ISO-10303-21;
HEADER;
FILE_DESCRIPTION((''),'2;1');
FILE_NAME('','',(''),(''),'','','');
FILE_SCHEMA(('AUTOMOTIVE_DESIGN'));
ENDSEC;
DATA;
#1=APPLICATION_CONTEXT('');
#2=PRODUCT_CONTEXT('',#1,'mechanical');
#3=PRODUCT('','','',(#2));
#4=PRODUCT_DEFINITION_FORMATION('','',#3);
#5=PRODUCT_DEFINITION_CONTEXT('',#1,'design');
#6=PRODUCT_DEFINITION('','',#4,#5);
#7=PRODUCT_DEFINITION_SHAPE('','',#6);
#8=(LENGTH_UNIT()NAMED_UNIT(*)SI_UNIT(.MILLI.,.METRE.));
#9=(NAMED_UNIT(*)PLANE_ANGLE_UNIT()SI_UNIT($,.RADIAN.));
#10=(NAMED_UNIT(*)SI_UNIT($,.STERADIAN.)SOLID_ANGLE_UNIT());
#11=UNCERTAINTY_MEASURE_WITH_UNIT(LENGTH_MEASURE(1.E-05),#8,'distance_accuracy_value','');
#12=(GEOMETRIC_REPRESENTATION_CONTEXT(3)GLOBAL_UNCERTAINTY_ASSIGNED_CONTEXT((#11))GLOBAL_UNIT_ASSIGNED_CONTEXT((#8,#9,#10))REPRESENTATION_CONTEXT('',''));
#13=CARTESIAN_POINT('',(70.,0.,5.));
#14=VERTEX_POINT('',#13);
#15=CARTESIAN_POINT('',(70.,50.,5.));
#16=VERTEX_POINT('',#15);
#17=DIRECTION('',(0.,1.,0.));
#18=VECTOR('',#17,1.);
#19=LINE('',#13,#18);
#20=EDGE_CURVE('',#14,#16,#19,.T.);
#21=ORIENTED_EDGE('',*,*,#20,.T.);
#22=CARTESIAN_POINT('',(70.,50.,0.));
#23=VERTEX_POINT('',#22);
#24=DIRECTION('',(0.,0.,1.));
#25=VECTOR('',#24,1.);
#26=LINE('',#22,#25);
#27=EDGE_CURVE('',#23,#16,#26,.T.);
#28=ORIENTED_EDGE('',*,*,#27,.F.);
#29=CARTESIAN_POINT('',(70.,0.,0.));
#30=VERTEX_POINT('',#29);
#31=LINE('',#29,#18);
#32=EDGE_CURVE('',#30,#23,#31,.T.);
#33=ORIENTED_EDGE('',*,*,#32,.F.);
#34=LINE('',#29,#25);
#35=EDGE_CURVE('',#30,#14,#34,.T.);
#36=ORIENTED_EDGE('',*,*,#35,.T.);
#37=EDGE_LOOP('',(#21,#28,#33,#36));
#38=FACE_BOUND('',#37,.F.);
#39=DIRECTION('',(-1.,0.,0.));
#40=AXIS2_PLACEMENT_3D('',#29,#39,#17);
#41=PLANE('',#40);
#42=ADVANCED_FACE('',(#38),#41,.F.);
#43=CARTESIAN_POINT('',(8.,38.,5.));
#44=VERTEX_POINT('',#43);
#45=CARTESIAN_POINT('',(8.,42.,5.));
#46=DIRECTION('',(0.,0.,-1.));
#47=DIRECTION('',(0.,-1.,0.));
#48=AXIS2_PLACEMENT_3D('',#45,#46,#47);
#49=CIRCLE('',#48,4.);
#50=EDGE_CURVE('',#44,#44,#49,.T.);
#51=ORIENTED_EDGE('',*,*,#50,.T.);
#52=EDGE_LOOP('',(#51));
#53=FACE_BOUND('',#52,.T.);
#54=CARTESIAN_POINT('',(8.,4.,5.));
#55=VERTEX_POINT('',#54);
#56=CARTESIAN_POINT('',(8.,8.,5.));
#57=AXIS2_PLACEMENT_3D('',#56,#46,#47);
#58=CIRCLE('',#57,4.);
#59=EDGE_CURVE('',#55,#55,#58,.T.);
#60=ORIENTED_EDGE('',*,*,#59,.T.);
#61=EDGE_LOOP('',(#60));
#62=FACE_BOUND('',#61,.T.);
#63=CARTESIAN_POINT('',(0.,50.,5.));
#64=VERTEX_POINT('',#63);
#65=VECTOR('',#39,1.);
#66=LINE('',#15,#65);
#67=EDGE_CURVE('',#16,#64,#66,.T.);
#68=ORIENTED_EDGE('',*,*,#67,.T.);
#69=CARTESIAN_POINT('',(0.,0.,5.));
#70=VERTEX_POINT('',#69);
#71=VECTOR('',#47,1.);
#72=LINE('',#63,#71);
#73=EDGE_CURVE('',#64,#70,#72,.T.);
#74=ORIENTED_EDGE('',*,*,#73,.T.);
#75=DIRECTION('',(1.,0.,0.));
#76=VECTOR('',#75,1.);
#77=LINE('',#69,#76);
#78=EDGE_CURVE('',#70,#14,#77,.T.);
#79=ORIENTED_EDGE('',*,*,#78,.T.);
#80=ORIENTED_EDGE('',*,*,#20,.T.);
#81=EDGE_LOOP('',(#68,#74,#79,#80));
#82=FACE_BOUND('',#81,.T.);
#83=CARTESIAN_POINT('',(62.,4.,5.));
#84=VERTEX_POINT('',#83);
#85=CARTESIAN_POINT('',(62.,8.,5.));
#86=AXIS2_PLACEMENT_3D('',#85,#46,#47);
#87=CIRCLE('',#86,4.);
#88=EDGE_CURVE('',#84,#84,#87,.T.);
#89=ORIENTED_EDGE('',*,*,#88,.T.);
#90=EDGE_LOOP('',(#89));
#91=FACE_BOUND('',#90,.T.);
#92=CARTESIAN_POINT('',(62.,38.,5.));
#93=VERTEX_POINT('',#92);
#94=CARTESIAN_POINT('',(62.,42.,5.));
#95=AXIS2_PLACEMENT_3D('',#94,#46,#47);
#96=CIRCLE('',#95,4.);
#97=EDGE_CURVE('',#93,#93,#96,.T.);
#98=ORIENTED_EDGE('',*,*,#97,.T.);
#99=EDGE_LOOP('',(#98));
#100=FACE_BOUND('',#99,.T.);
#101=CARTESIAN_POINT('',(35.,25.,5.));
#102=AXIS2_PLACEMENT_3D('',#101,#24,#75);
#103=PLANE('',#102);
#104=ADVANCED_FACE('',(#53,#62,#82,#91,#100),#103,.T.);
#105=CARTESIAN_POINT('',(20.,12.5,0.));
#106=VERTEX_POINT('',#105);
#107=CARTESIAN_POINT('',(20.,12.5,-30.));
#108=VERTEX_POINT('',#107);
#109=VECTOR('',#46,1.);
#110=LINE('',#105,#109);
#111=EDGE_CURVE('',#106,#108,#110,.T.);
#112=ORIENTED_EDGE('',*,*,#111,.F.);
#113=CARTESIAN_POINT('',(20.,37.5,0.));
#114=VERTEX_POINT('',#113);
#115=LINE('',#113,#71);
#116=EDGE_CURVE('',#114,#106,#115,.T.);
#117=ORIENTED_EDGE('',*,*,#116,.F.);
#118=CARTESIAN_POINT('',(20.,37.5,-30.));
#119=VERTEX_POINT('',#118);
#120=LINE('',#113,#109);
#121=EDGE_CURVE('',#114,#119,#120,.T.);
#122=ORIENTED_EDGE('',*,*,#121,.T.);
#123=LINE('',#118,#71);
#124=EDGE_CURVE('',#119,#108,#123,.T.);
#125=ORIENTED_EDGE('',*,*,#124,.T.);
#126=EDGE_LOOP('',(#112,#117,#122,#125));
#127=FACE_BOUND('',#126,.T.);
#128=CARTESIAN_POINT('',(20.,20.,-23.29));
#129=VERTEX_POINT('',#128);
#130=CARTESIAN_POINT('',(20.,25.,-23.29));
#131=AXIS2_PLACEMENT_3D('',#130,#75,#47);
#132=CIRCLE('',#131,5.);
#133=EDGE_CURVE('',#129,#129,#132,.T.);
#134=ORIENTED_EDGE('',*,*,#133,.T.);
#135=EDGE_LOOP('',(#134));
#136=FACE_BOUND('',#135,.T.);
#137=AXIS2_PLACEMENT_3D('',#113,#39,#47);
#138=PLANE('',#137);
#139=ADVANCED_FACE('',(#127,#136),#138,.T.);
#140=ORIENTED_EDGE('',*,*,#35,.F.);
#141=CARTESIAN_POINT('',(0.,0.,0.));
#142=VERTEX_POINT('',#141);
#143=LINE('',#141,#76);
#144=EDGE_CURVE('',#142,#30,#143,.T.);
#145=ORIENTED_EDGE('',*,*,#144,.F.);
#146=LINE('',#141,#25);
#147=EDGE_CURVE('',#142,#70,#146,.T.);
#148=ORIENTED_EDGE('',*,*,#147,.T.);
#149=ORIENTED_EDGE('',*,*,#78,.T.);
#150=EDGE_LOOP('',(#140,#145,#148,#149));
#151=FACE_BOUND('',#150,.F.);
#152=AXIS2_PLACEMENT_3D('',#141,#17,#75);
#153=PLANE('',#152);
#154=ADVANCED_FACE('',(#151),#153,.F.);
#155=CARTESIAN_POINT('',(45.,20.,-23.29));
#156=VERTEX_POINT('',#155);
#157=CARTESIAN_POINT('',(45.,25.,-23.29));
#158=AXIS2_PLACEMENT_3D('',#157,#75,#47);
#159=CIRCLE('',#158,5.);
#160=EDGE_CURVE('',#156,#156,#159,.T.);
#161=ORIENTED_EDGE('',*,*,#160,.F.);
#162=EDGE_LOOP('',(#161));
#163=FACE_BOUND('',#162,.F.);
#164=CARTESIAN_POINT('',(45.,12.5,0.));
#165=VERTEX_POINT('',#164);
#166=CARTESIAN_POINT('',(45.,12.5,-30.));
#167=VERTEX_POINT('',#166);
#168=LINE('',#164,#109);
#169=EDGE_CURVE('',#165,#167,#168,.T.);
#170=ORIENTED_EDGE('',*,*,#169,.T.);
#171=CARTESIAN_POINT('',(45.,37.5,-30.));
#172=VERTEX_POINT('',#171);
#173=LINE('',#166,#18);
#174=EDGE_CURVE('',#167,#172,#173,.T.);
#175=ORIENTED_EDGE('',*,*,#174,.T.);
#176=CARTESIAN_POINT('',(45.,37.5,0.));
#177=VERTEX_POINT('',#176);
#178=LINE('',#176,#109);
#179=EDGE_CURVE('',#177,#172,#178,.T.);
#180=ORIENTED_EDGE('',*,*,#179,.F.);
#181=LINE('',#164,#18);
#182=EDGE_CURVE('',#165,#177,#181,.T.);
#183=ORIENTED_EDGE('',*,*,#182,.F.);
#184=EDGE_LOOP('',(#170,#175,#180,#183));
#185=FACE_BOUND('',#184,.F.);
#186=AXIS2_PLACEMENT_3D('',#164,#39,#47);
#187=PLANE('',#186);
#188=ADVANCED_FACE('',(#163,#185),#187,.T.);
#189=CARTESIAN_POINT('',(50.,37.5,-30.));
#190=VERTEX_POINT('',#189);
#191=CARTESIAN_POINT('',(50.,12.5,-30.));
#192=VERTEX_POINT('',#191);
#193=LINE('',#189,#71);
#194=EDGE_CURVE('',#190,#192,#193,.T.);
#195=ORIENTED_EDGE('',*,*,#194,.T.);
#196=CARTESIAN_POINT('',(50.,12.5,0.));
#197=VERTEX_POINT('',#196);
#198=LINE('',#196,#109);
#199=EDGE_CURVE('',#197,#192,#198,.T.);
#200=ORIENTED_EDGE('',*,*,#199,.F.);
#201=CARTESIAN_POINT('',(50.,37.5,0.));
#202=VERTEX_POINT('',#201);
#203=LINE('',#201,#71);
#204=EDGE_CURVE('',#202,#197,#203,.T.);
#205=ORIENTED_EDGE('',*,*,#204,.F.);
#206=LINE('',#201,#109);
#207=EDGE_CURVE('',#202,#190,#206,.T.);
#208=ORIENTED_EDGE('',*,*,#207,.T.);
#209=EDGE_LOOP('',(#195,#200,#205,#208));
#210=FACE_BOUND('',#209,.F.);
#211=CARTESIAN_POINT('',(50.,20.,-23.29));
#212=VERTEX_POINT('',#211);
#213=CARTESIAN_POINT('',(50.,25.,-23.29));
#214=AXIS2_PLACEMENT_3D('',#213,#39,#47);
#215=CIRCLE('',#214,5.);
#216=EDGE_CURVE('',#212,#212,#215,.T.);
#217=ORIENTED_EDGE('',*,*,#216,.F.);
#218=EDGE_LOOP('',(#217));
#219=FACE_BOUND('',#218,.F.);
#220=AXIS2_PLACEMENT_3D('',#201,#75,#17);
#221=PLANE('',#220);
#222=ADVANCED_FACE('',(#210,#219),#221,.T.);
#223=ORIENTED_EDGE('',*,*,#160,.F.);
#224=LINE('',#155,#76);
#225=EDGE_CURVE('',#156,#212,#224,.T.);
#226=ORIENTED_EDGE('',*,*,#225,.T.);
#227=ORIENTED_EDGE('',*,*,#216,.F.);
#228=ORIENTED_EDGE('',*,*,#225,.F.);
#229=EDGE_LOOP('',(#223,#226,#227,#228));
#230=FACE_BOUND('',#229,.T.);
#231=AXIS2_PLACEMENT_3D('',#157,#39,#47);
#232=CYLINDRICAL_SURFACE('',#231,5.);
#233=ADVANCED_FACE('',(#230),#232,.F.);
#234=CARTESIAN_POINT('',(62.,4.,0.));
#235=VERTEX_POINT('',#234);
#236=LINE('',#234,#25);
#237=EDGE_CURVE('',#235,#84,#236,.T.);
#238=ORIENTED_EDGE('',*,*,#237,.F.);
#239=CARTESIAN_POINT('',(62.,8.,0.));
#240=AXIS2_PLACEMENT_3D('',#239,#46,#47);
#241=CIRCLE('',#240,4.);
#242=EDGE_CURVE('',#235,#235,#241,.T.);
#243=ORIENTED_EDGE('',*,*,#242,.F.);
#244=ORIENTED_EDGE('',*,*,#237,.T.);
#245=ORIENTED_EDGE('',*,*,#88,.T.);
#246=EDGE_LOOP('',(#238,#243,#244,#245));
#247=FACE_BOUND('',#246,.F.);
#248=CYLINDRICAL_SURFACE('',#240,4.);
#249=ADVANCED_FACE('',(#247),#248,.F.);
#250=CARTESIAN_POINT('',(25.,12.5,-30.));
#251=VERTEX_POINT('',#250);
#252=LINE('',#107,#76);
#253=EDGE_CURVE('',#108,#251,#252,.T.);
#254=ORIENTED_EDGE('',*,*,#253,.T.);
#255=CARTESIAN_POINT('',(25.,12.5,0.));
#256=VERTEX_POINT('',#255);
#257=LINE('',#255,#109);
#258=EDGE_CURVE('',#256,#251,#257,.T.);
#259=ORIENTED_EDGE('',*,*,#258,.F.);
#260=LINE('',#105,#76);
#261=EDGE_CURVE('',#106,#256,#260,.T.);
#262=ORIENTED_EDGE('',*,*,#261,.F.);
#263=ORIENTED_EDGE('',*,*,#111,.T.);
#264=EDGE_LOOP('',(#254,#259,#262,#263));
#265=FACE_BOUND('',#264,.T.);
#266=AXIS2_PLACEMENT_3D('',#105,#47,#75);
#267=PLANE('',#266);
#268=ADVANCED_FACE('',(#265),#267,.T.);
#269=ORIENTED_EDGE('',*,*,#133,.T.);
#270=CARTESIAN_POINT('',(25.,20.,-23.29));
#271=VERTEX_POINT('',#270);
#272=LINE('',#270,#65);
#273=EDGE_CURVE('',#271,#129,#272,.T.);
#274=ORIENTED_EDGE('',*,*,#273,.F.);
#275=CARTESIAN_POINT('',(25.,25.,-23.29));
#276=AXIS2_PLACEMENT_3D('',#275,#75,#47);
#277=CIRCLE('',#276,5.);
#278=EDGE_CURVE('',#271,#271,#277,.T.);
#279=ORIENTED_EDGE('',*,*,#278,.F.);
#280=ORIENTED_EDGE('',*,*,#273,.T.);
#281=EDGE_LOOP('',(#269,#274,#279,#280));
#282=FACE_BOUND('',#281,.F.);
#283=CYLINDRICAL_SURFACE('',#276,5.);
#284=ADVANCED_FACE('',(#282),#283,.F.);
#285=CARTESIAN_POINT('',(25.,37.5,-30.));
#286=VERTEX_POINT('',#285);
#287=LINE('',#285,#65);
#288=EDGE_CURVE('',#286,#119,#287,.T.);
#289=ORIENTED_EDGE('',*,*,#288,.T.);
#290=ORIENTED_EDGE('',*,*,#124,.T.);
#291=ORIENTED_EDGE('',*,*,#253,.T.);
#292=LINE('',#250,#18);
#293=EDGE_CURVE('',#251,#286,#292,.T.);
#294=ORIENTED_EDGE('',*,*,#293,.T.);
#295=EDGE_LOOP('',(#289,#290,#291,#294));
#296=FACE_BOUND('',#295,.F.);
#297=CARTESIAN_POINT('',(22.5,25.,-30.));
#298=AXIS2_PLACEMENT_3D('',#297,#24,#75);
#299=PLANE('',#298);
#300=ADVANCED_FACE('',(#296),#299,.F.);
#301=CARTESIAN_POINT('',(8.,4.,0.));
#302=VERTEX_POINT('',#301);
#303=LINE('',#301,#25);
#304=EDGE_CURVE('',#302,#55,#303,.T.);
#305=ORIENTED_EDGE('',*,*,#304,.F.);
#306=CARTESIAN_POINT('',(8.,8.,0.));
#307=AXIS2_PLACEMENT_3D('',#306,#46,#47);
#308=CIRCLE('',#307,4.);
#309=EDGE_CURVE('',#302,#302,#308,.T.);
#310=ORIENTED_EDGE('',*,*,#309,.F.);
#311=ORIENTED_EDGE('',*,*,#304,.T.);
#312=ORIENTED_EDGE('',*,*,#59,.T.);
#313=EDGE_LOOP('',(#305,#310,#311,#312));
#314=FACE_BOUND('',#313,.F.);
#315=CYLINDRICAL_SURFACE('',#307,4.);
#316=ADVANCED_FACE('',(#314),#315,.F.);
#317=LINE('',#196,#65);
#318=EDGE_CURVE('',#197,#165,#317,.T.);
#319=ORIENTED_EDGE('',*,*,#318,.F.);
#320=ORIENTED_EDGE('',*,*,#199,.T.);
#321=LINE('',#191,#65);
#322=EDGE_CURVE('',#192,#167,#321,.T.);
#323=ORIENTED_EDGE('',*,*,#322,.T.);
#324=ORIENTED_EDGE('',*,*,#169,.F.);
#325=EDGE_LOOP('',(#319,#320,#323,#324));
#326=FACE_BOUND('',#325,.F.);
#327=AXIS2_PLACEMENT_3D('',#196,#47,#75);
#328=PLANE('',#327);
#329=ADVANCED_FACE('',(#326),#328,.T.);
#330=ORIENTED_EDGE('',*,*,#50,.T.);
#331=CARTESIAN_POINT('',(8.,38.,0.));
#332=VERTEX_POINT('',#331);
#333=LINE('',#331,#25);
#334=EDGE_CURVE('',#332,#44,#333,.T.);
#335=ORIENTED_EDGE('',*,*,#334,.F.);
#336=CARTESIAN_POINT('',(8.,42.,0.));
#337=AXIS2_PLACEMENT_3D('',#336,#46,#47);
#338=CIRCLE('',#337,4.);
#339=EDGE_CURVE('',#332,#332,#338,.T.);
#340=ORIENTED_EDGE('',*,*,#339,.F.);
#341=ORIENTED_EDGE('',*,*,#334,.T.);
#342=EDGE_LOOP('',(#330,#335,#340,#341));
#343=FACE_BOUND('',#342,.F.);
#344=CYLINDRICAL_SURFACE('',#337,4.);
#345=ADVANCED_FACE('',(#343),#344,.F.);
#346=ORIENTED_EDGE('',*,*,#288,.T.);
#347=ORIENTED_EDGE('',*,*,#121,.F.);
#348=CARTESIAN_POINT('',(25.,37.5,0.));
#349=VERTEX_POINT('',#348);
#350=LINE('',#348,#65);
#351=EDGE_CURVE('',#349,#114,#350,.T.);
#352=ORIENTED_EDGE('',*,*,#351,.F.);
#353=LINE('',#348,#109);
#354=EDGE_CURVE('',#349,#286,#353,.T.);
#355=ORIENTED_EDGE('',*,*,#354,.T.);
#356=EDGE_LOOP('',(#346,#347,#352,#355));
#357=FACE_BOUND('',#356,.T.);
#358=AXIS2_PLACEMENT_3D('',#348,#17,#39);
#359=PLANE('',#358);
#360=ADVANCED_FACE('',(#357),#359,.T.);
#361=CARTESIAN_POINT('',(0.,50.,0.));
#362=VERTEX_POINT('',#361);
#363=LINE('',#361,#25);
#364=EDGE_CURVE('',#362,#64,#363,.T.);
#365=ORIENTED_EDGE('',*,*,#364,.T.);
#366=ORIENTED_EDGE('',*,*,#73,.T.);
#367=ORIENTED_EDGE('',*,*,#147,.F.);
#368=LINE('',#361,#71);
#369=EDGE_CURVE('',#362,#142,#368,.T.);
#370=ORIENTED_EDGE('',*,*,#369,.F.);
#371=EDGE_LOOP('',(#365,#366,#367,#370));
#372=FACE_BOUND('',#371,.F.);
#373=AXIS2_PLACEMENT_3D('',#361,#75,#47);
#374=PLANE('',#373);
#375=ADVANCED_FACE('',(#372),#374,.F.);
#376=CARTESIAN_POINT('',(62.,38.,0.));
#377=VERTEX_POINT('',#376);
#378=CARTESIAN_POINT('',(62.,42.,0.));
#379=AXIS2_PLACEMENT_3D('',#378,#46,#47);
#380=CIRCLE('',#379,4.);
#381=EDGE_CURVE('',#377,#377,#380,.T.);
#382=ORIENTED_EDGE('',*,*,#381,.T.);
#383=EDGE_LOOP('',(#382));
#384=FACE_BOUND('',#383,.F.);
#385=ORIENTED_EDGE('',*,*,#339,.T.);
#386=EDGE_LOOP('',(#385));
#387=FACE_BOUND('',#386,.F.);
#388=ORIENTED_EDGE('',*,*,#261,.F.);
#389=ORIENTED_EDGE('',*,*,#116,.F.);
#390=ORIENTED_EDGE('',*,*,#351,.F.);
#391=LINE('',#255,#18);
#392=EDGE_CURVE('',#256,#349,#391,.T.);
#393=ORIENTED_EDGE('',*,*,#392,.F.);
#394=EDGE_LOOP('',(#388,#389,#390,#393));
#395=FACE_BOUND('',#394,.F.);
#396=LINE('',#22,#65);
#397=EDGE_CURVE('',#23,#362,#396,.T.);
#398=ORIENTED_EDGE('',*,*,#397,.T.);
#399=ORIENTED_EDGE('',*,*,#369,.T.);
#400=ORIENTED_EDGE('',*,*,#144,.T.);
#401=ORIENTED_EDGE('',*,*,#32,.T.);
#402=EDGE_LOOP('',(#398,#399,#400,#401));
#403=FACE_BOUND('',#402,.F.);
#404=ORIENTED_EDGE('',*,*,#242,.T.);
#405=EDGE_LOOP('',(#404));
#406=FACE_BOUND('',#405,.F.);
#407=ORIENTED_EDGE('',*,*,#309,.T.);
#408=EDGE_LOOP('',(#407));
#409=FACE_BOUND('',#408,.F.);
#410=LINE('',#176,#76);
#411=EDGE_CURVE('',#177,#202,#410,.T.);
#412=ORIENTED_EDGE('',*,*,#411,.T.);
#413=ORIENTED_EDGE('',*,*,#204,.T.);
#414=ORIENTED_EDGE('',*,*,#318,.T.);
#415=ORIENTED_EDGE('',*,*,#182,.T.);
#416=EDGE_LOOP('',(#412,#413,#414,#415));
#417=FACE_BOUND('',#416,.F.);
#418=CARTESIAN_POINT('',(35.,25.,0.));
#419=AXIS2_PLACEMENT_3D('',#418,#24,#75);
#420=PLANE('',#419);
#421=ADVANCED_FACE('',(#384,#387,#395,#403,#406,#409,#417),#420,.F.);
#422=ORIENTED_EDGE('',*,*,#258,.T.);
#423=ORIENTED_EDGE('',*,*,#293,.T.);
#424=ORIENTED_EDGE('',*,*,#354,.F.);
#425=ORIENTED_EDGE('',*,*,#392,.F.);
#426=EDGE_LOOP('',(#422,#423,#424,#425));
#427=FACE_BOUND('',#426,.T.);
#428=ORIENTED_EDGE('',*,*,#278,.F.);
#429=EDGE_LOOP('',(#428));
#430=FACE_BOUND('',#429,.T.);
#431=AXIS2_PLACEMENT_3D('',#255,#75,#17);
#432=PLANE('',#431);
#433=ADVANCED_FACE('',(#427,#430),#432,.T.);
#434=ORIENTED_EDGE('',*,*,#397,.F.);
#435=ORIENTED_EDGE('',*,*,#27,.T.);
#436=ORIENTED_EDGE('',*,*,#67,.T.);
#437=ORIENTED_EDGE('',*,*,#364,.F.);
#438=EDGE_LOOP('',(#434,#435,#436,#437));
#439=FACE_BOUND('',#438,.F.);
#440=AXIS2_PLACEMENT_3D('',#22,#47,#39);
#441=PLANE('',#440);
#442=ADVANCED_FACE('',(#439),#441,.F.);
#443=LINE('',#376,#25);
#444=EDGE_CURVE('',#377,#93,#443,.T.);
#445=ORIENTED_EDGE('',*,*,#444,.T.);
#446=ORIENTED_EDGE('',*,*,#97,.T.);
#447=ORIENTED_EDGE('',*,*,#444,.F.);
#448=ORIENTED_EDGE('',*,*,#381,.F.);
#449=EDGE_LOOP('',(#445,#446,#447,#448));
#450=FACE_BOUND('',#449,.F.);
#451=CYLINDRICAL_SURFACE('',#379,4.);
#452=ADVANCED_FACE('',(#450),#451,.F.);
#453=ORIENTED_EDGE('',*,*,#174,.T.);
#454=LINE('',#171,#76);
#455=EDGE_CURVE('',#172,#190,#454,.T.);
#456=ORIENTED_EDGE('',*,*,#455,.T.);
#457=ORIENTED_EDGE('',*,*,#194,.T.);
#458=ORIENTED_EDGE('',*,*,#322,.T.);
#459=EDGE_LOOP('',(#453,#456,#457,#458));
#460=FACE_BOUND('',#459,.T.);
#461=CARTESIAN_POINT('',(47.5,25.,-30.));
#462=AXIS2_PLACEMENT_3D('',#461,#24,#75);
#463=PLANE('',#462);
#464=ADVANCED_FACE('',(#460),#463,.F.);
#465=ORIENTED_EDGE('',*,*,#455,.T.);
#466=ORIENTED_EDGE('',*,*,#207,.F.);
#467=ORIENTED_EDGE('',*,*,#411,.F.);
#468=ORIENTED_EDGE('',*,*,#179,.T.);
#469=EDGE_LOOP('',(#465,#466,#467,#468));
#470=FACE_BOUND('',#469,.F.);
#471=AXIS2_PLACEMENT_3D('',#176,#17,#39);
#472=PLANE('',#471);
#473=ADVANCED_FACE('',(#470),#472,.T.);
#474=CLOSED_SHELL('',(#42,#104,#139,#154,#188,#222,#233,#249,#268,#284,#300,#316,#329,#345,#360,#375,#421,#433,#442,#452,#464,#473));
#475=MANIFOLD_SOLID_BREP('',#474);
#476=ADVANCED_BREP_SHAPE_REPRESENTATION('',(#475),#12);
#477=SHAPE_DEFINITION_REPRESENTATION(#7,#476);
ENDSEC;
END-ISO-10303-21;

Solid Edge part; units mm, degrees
sketch "Sketch1" plane through (0, 0, 0) normal (0, 0, 1) x (1, 0, 0)
  line L0 (0, 0) -> (70, 0)
  line L1 (70, 0) -> (70, 50)
  line L2 (70, 50) -> (0, 50)
  line L3 (0, 50) -> (0, 0)
extrude "Protrusion1" add sketch "Sketch1" along normal blind 5
sketch "Sketch2" plane through (0, 0, 0) normal (0, 0, 1) x (1, 0, 0)
  line L0 (25, 12.5) -> (25, 37.5)
  line L1 (25, 37.5) -> (20, 37.5)
  line L2 (20, 37.5) -> (20, 12.5)
  line L3 (20, 12.5) -> (25, 12.5)
extrude "ExtrudedProtrusion_2" add sketch "Sketch2" against normal blind 30
sketch "Sketch3" plane through (25, 25, -6.7078) normal (1, 0, 0) x (0, -1, 0)
  circle A0 centre (0, 16.5822) radius 5
extrude "ExtrudedCutout_1" cut sketch "Sketch3" against normal blind 57.348
sketch "Sketch4" plane through (35, 25, 0) normal (0, 0, -1) x (0, -1, 0)
  circle A0 centre (17, -27) radius 4
  circle A1 centre (-17, -27) radius 4
  circle A2 centre (-17, 27) radius 4
  circle A3 centre (17, 27) radius 4
  dimension "D1" = 8
  dimension "D2" = 8
  dimension "D3" = 8
  dimension "D4" = 8
  dimension "D5" = 8
extrude "ExtrudedCutout_2" cut sketch "Sketch4" against normal blind 22.6316
mirror "Mirror1" about plane through (35, 25, -6.7078) normal (1, 0, 0) of "ExtrudedProtrusion_2", "ExtrudedCutout_1"
properties material "Stainless steel"
